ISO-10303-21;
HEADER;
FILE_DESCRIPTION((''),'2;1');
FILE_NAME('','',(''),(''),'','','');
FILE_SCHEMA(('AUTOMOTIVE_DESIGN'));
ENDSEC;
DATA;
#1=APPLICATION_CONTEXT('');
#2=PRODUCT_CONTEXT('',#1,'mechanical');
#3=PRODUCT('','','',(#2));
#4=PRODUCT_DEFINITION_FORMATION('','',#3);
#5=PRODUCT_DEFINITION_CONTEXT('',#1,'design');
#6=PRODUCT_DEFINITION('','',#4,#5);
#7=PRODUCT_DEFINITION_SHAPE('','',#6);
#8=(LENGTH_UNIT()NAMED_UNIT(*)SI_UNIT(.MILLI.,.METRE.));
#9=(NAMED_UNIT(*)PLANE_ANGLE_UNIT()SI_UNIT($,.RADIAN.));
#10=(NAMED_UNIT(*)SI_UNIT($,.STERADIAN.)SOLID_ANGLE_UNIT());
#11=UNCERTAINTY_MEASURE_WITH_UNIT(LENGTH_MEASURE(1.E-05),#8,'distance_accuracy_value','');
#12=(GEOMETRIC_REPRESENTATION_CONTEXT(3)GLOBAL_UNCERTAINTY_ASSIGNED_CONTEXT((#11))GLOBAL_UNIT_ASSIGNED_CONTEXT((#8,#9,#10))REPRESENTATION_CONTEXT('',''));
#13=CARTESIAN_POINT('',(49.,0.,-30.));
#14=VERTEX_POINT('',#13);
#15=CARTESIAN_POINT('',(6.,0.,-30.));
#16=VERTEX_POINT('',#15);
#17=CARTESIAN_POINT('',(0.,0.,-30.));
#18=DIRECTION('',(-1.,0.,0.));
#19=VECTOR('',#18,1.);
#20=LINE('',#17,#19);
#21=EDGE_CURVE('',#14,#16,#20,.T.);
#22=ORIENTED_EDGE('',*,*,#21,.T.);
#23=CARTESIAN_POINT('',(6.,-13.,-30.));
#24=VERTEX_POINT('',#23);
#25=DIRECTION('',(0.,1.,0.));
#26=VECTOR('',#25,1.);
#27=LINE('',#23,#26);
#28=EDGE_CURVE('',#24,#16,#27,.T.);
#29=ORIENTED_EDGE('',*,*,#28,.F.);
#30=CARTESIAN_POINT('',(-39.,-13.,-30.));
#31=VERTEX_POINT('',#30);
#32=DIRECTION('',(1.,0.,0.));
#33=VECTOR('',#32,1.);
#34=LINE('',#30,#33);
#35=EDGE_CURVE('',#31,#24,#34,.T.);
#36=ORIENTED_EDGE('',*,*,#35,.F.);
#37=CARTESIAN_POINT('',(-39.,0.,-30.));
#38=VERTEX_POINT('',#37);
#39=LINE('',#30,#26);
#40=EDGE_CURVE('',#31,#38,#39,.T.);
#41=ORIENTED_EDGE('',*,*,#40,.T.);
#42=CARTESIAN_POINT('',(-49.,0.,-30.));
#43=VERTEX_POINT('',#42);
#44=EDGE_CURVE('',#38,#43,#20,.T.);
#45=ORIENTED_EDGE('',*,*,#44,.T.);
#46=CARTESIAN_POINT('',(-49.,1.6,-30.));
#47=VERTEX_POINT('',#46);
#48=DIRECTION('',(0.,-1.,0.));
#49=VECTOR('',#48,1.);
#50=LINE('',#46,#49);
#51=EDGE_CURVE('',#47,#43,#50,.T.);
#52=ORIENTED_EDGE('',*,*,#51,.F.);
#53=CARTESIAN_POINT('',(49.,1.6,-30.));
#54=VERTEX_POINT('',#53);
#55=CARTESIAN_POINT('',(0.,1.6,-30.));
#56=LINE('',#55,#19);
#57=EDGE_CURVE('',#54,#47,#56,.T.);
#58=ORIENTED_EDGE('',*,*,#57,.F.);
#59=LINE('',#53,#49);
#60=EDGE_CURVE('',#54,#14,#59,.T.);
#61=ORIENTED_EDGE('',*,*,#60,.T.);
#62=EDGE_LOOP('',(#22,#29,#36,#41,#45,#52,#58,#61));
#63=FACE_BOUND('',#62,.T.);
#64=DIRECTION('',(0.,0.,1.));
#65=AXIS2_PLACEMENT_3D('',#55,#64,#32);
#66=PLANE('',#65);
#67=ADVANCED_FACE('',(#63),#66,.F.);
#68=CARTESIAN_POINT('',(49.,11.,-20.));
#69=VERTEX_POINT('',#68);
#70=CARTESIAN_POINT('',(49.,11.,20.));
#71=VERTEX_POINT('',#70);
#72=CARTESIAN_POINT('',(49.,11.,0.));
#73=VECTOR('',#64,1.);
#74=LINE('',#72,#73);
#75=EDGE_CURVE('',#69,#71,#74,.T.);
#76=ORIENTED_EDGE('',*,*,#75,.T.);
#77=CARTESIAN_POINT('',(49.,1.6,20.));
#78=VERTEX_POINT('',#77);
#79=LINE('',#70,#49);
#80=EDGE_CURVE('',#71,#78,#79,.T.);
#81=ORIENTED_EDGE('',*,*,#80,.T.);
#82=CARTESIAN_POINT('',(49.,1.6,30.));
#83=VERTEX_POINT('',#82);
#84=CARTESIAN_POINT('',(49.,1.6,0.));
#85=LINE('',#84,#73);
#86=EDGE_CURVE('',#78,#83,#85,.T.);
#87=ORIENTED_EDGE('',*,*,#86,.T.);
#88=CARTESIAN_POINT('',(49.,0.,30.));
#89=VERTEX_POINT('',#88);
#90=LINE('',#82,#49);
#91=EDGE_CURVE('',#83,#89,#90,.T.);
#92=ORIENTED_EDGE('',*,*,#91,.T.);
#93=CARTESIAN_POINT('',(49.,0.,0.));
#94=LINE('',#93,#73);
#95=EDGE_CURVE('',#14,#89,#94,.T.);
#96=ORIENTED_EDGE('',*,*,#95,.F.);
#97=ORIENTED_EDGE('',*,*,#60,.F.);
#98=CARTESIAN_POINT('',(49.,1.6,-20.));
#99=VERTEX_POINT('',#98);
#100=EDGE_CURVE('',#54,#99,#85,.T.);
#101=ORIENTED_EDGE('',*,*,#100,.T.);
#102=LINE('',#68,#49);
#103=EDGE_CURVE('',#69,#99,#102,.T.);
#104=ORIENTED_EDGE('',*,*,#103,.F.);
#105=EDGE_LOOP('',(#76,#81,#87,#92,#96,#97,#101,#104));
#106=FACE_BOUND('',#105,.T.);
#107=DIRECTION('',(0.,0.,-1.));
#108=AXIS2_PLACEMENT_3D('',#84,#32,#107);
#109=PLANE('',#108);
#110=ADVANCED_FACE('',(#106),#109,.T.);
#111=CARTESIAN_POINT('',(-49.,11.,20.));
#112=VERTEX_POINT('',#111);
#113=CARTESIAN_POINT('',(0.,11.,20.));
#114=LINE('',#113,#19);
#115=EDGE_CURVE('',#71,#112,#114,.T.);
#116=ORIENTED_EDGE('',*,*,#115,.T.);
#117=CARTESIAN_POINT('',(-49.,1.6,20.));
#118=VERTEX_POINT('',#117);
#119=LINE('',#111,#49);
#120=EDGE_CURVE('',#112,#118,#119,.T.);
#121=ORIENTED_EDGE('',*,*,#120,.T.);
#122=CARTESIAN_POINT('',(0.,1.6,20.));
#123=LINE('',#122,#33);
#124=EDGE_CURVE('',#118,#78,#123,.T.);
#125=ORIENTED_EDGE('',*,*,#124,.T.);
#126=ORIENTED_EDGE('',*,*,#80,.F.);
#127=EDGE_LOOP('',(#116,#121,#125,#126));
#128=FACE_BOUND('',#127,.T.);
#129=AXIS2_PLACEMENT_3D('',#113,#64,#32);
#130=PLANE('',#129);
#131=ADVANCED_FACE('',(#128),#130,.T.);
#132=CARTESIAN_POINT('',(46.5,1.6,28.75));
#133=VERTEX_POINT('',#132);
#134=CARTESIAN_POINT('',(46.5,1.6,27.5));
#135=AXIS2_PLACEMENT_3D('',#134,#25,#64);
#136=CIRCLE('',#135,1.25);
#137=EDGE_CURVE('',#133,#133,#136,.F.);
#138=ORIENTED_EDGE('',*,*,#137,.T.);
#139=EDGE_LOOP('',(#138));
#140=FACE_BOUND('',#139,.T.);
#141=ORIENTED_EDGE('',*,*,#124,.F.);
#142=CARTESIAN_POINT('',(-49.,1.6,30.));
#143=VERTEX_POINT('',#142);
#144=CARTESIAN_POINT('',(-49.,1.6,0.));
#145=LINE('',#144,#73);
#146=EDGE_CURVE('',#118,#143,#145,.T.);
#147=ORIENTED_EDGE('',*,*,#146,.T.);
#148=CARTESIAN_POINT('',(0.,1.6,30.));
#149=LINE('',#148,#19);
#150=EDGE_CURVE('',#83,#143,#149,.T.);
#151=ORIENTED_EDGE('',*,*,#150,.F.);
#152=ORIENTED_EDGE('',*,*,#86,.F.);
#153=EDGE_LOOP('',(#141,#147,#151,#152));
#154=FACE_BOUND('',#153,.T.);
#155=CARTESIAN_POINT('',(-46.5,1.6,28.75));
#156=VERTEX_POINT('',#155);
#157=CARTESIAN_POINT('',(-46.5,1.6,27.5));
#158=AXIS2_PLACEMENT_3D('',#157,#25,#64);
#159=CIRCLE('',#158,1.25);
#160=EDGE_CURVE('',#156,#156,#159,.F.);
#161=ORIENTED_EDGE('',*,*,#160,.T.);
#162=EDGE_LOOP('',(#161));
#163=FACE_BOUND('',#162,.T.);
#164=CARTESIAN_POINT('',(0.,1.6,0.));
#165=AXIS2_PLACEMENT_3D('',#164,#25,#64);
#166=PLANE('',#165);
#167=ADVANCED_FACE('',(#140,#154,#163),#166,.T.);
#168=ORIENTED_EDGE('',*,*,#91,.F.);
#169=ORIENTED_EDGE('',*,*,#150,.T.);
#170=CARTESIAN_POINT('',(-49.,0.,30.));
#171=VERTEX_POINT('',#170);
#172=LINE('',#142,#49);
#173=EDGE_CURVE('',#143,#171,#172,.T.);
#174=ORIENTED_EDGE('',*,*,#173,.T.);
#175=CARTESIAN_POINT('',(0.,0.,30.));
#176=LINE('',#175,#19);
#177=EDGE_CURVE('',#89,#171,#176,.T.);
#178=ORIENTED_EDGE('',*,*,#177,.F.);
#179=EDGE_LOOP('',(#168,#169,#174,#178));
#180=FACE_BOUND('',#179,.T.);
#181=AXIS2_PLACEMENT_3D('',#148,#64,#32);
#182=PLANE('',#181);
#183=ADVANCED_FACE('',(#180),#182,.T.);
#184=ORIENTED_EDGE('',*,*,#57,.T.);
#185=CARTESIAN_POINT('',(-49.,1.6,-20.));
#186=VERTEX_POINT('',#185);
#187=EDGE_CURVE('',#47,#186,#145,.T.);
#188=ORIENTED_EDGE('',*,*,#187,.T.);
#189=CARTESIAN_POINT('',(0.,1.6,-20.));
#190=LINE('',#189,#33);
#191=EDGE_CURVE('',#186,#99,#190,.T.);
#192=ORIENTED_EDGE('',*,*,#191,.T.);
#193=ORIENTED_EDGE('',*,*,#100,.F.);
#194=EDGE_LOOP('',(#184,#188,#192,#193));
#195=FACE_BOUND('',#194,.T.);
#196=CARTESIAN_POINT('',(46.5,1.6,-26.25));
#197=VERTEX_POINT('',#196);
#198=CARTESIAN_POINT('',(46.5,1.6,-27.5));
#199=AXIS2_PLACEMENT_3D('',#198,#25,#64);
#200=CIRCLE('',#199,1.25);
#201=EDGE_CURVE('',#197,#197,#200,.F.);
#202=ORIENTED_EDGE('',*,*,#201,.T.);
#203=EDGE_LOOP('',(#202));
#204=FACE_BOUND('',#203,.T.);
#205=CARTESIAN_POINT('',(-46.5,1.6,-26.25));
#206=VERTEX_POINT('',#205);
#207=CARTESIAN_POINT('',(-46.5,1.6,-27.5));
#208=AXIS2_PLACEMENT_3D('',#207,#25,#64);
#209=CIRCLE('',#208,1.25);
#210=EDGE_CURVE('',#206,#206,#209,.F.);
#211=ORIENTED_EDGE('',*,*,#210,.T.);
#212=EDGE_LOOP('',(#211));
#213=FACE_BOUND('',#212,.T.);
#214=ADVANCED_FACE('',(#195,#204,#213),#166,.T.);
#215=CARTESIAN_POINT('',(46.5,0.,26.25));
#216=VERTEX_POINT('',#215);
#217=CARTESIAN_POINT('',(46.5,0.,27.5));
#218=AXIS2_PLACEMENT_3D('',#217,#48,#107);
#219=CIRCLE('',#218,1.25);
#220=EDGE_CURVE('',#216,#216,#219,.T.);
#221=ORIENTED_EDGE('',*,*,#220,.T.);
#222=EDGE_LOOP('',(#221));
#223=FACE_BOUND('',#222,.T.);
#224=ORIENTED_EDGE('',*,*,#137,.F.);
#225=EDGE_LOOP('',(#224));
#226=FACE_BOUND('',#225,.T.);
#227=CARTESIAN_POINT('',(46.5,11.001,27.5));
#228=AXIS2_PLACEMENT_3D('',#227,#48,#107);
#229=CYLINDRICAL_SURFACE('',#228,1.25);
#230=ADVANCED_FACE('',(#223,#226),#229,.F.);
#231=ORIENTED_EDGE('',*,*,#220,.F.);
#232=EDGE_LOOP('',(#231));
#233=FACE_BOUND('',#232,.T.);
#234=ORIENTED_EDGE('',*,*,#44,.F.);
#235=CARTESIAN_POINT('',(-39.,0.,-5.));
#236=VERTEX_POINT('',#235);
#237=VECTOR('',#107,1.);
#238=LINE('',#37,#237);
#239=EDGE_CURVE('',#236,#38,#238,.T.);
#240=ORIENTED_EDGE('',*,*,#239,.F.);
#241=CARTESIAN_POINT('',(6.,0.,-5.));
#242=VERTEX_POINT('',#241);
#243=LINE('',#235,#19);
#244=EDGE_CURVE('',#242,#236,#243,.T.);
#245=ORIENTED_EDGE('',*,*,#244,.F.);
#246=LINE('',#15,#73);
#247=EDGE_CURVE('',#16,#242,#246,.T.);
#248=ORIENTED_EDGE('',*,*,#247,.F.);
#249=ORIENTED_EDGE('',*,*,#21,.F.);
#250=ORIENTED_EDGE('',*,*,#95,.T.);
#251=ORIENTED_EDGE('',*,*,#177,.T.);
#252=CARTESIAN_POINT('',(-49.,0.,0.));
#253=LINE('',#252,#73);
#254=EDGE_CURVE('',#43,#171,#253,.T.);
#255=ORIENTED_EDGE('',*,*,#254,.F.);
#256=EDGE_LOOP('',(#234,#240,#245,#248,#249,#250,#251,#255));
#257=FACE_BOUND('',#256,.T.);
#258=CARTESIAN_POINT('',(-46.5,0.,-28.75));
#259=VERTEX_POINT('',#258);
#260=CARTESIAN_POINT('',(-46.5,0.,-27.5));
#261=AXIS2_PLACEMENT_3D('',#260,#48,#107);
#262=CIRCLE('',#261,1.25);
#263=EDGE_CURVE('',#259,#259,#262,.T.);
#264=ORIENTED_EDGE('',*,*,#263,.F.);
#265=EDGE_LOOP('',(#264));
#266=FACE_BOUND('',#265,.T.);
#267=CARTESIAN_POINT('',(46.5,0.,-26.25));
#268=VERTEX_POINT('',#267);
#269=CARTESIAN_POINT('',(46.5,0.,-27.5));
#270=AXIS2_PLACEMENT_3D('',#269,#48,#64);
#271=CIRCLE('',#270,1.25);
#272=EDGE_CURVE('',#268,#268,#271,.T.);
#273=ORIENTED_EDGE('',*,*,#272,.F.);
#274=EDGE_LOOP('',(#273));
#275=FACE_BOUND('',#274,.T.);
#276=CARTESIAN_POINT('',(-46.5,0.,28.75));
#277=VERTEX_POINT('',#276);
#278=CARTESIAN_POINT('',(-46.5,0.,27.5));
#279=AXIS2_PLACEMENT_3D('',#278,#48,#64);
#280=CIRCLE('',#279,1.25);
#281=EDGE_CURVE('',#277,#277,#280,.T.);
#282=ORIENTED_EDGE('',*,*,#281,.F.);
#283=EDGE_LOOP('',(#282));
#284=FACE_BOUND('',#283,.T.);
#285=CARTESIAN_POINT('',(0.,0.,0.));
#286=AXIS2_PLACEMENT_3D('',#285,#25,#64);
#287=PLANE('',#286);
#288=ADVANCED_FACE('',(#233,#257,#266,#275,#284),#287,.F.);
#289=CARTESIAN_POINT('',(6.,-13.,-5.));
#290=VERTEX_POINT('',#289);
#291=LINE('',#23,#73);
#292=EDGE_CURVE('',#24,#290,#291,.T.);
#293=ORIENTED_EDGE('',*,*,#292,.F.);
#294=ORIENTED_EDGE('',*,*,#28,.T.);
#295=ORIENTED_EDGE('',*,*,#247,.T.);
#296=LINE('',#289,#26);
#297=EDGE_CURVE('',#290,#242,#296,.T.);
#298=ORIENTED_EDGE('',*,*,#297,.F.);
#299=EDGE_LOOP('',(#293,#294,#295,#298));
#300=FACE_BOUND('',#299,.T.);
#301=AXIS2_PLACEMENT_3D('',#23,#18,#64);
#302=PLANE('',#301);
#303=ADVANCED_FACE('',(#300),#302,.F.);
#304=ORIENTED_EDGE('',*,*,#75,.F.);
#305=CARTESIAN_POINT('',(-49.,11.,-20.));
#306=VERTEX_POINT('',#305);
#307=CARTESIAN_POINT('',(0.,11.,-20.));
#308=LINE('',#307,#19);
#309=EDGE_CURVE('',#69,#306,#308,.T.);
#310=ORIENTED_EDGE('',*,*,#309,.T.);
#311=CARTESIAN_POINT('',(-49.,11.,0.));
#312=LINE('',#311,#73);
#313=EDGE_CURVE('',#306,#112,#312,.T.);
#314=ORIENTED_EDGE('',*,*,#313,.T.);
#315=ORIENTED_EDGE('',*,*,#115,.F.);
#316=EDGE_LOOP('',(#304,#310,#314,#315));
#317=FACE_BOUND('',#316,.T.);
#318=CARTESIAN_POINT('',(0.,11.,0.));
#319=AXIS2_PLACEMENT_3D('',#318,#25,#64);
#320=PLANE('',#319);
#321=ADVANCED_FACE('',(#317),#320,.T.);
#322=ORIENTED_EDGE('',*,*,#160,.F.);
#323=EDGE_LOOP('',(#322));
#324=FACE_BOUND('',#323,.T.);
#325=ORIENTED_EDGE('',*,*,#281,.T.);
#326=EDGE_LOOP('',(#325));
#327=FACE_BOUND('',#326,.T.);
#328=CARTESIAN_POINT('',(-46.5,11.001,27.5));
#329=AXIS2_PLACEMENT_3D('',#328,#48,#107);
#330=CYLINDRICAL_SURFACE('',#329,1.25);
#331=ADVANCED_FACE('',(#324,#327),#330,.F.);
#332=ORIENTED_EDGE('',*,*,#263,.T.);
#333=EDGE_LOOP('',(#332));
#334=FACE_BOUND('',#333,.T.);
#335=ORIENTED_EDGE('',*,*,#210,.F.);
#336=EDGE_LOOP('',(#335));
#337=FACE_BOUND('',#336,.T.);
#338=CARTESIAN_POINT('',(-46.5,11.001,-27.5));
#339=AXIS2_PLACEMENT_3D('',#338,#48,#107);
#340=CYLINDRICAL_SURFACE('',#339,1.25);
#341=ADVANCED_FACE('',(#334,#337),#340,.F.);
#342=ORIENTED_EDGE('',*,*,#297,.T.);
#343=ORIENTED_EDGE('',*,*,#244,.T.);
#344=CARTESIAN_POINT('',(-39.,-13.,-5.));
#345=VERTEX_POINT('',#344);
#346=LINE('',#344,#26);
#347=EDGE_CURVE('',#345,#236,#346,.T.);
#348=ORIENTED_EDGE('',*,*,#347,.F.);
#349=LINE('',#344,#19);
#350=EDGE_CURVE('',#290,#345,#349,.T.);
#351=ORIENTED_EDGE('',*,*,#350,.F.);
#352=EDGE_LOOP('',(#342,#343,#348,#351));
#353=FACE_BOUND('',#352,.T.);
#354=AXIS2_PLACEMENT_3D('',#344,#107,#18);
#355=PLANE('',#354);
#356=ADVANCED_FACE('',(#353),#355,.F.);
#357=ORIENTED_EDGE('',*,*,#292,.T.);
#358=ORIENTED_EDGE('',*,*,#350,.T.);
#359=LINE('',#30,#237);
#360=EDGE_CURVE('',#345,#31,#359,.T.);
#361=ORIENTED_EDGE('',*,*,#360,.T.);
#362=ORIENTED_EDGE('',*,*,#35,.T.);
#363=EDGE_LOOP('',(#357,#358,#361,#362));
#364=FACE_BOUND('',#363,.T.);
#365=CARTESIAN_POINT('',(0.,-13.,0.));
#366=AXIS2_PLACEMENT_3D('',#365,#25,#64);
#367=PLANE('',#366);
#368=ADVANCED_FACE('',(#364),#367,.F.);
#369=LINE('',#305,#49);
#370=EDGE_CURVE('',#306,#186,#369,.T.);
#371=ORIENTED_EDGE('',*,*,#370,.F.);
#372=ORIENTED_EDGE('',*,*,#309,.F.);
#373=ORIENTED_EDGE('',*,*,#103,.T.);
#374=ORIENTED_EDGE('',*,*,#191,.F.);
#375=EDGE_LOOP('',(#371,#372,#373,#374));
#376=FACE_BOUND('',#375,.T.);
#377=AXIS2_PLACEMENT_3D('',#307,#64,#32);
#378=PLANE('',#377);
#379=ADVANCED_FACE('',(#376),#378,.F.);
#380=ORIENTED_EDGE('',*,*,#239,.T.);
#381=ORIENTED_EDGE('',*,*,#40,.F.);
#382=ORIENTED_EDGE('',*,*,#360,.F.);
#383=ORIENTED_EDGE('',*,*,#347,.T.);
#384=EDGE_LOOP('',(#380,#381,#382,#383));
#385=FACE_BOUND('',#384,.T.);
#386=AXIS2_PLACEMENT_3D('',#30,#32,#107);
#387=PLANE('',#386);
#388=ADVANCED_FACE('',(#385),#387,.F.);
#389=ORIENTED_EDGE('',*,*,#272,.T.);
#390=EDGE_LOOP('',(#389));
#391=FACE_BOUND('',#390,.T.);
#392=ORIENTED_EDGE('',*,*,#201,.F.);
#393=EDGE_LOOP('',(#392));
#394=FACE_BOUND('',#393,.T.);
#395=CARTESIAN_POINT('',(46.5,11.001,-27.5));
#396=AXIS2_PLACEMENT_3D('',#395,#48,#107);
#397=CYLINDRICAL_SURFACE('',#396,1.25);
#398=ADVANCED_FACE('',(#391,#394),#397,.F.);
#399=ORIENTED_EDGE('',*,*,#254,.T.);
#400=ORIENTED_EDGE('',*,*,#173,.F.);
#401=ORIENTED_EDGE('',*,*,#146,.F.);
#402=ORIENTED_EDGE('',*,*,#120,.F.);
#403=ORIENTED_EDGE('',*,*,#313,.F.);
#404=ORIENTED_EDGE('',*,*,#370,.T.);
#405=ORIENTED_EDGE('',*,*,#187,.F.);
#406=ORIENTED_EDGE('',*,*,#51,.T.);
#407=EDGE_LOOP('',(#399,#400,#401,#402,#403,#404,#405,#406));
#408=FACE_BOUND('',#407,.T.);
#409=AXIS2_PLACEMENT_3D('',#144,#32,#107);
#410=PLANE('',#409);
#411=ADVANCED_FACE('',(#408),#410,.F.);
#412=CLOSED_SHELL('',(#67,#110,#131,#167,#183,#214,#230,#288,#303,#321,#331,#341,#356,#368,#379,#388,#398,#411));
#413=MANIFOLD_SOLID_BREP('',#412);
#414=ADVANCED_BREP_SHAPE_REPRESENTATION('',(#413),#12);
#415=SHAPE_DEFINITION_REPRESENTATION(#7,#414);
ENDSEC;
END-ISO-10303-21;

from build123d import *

# Parameters (mm, degrees)
SKETCH_1_W          = 98
SKETCH_1_H          = 60
EXTRUDE_1_DEPTH     = 1.6
SKETCH_1_4_W        = 98
SKETCH_1_4_H        = 40
EXTRUDE_2_DEPTH     = 11
SKETCH_2_W          = 45
SKETCH_2_H          = 25
EXTRUDE_3_DEPTH     = 13
CUT_EXTRUDE_1_REACH = 60.907
SKETCH_3_R          = 1.25


with BuildPart() as part:
    # Эскиз1 → Бобышка-Вытянуть1 (new body)
    with BuildSketch(Plane(origin=(0, 0, 0), x_dir=(1, 0, 0), z_dir=(0, 1, 0))):
        Rectangle(SKETCH_1_W, SKETCH_1_H)
    extrude(amount=EXTRUDE_1_DEPTH)

    # Эскиз1<4> → Бобышка-Вытянуть2 (add)
    with BuildSketch(Plane(origin=(0, 0, 0), x_dir=(1, 0, 0), z_dir=(0, 1, 0))):
        Rectangle(SKETCH_1_4_W, SKETCH_1_4_H)
    extrude(amount=EXTRUDE_2_DEPTH)

    # Эскиз2 → Бобышка-Вытянуть3 (add)
    with BuildSketch(Plane.XZ):
        with Locations((-16.5, -17.5)):
            Rectangle(SKETCH_2_W, SKETCH_2_H)
    extrude(amount=EXTRUDE_3_DEPTH)

    # Эскиз3 → Вырез-Вытянуть1 (cut, up to next)
    with BuildSketch(Plane.XZ, mode=Mode.PRIVATE) as cut_extrude_1_sk1:
        with Locations((46.5, 27.5)):
            Circle(SKETCH_3_R)
    cut_extrude_1_tool1 = extrude(cut_extrude_1_sk1.sketch, amount=-CUT_EXTRUDE_1_REACH, mode=Mode.PRIVATE) & part.part
    # Эскиз3 → Вырез-Вытянуть1 (cut, up to next)
    with BuildSketch(Plane.XZ, mode=Mode.PRIVATE) as cut_extrude_1_sk2:
        with Locations((-46.5, 27.5)):
            Circle(SKETCH_3_R)
    cut_extrude_1_tool2 = extrude(cut_extrude_1_sk2.sketch, amount=-CUT_EXTRUDE_1_REACH, mode=Mode.PRIVATE) & part.part
    # Эскиз3 → Вырез-Вытянуть1 (cut, up to next)
    with BuildSketch(Plane.XZ, mode=Mode.PRIVATE) as cut_extrude_1_sk3:
        with Locations((-46.5, -27.5)):
            Circle(SKETCH_3_R)
    cut_extrude_1_tool3 = extrude(cut_extrude_1_sk3.sketch, amount=-CUT_EXTRUDE_1_REACH, mode=Mode.PRIVATE) & part.part
    # Эскиз3 → Вырез-Вытянуть1 (cut, up to next)
    with BuildSketch(Plane.XZ, mode=Mode.PRIVATE) as cut_extrude_1_sk4:
        with Locations((46.5, -27.5)):
            Circle(SKETCH_3_R)
    cut_extrude_1_tool4 = extrude(cut_extrude_1_sk4.sketch, amount=-CUT_EXTRUDE_1_REACH, mode=Mode.PRIVATE) & part.part
    add(cut_extrude_1_tool1.solids().sort_by_distance((46.5, 0, 27.5))[0], mode=Mode.SUBTRACT)
    add(cut_extrude_1_tool2.solids().sort_by_distance((-46.5, 0, 27.5))[0], mode=Mode.SUBTRACT)
    add(cut_extrude_1_tool3.solids().sort_by_distance((-46.5, 0, -27.5))[0], mode=Mode.SUBTRACT)
    add(cut_extrude_1_tool4.solids().sort_by_distance((46.5, 0, -27.5))[0], mode=Mode.SUBTRACT)


solid = part.part
